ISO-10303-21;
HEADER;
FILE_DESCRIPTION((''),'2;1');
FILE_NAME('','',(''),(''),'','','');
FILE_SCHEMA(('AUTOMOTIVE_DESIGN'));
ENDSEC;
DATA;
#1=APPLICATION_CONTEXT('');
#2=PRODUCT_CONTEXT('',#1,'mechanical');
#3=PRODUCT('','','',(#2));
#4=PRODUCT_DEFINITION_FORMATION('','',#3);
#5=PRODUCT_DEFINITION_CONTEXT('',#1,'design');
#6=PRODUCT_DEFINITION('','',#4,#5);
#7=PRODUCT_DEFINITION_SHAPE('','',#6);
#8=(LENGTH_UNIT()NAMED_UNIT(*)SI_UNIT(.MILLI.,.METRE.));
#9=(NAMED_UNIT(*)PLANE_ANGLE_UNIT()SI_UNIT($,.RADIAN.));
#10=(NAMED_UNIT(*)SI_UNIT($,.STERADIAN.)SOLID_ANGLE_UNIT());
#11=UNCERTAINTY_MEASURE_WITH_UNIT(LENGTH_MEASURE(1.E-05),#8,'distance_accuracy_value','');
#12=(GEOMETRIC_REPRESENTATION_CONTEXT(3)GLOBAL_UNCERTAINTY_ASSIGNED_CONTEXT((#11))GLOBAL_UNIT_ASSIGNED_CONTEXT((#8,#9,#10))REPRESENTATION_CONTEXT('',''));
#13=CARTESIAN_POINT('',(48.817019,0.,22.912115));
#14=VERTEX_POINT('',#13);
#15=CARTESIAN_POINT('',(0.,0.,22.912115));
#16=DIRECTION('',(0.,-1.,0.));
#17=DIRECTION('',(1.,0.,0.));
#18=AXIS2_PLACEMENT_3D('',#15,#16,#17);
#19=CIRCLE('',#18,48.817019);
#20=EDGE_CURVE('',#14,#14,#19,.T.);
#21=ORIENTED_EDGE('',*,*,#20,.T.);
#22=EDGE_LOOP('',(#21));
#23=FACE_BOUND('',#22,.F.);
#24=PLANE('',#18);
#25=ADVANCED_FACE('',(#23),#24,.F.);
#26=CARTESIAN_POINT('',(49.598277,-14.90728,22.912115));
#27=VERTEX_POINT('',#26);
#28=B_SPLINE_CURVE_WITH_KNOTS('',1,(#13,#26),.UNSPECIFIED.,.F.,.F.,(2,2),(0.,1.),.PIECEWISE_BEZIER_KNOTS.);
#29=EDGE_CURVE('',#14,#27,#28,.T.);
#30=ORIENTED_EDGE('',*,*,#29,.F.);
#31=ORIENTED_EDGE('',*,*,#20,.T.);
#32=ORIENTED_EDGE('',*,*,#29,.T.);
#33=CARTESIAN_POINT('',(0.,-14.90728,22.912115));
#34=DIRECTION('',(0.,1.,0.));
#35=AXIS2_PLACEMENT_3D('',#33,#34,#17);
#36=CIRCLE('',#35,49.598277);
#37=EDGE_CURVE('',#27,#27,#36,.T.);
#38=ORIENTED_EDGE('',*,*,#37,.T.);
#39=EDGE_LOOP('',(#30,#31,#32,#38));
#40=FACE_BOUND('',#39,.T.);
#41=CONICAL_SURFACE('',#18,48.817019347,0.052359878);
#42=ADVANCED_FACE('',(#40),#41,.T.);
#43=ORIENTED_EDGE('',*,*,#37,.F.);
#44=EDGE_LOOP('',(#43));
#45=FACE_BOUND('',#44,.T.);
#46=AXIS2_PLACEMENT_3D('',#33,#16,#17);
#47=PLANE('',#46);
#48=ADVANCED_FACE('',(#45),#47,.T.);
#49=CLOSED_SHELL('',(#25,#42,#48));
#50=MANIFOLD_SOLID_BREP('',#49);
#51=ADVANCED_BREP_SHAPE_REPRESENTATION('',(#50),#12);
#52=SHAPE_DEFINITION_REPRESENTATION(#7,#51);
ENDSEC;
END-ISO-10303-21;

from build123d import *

# Parameters (mm, degrees)
F0_R     = 48.8170193474
F1_DEPTH = 14.9072799832
F1_TAPER = -3


with BuildPart() as f1:
    # F0 (on Front) → F1 (new body)
    with BuildSketch(Plane.XZ):
        with Locations((0, 22.9121148586)):
            Circle(F0_R)
    extrude(amount=F1_DEPTH, taper=F1_TAPER)


solid = f1.part
